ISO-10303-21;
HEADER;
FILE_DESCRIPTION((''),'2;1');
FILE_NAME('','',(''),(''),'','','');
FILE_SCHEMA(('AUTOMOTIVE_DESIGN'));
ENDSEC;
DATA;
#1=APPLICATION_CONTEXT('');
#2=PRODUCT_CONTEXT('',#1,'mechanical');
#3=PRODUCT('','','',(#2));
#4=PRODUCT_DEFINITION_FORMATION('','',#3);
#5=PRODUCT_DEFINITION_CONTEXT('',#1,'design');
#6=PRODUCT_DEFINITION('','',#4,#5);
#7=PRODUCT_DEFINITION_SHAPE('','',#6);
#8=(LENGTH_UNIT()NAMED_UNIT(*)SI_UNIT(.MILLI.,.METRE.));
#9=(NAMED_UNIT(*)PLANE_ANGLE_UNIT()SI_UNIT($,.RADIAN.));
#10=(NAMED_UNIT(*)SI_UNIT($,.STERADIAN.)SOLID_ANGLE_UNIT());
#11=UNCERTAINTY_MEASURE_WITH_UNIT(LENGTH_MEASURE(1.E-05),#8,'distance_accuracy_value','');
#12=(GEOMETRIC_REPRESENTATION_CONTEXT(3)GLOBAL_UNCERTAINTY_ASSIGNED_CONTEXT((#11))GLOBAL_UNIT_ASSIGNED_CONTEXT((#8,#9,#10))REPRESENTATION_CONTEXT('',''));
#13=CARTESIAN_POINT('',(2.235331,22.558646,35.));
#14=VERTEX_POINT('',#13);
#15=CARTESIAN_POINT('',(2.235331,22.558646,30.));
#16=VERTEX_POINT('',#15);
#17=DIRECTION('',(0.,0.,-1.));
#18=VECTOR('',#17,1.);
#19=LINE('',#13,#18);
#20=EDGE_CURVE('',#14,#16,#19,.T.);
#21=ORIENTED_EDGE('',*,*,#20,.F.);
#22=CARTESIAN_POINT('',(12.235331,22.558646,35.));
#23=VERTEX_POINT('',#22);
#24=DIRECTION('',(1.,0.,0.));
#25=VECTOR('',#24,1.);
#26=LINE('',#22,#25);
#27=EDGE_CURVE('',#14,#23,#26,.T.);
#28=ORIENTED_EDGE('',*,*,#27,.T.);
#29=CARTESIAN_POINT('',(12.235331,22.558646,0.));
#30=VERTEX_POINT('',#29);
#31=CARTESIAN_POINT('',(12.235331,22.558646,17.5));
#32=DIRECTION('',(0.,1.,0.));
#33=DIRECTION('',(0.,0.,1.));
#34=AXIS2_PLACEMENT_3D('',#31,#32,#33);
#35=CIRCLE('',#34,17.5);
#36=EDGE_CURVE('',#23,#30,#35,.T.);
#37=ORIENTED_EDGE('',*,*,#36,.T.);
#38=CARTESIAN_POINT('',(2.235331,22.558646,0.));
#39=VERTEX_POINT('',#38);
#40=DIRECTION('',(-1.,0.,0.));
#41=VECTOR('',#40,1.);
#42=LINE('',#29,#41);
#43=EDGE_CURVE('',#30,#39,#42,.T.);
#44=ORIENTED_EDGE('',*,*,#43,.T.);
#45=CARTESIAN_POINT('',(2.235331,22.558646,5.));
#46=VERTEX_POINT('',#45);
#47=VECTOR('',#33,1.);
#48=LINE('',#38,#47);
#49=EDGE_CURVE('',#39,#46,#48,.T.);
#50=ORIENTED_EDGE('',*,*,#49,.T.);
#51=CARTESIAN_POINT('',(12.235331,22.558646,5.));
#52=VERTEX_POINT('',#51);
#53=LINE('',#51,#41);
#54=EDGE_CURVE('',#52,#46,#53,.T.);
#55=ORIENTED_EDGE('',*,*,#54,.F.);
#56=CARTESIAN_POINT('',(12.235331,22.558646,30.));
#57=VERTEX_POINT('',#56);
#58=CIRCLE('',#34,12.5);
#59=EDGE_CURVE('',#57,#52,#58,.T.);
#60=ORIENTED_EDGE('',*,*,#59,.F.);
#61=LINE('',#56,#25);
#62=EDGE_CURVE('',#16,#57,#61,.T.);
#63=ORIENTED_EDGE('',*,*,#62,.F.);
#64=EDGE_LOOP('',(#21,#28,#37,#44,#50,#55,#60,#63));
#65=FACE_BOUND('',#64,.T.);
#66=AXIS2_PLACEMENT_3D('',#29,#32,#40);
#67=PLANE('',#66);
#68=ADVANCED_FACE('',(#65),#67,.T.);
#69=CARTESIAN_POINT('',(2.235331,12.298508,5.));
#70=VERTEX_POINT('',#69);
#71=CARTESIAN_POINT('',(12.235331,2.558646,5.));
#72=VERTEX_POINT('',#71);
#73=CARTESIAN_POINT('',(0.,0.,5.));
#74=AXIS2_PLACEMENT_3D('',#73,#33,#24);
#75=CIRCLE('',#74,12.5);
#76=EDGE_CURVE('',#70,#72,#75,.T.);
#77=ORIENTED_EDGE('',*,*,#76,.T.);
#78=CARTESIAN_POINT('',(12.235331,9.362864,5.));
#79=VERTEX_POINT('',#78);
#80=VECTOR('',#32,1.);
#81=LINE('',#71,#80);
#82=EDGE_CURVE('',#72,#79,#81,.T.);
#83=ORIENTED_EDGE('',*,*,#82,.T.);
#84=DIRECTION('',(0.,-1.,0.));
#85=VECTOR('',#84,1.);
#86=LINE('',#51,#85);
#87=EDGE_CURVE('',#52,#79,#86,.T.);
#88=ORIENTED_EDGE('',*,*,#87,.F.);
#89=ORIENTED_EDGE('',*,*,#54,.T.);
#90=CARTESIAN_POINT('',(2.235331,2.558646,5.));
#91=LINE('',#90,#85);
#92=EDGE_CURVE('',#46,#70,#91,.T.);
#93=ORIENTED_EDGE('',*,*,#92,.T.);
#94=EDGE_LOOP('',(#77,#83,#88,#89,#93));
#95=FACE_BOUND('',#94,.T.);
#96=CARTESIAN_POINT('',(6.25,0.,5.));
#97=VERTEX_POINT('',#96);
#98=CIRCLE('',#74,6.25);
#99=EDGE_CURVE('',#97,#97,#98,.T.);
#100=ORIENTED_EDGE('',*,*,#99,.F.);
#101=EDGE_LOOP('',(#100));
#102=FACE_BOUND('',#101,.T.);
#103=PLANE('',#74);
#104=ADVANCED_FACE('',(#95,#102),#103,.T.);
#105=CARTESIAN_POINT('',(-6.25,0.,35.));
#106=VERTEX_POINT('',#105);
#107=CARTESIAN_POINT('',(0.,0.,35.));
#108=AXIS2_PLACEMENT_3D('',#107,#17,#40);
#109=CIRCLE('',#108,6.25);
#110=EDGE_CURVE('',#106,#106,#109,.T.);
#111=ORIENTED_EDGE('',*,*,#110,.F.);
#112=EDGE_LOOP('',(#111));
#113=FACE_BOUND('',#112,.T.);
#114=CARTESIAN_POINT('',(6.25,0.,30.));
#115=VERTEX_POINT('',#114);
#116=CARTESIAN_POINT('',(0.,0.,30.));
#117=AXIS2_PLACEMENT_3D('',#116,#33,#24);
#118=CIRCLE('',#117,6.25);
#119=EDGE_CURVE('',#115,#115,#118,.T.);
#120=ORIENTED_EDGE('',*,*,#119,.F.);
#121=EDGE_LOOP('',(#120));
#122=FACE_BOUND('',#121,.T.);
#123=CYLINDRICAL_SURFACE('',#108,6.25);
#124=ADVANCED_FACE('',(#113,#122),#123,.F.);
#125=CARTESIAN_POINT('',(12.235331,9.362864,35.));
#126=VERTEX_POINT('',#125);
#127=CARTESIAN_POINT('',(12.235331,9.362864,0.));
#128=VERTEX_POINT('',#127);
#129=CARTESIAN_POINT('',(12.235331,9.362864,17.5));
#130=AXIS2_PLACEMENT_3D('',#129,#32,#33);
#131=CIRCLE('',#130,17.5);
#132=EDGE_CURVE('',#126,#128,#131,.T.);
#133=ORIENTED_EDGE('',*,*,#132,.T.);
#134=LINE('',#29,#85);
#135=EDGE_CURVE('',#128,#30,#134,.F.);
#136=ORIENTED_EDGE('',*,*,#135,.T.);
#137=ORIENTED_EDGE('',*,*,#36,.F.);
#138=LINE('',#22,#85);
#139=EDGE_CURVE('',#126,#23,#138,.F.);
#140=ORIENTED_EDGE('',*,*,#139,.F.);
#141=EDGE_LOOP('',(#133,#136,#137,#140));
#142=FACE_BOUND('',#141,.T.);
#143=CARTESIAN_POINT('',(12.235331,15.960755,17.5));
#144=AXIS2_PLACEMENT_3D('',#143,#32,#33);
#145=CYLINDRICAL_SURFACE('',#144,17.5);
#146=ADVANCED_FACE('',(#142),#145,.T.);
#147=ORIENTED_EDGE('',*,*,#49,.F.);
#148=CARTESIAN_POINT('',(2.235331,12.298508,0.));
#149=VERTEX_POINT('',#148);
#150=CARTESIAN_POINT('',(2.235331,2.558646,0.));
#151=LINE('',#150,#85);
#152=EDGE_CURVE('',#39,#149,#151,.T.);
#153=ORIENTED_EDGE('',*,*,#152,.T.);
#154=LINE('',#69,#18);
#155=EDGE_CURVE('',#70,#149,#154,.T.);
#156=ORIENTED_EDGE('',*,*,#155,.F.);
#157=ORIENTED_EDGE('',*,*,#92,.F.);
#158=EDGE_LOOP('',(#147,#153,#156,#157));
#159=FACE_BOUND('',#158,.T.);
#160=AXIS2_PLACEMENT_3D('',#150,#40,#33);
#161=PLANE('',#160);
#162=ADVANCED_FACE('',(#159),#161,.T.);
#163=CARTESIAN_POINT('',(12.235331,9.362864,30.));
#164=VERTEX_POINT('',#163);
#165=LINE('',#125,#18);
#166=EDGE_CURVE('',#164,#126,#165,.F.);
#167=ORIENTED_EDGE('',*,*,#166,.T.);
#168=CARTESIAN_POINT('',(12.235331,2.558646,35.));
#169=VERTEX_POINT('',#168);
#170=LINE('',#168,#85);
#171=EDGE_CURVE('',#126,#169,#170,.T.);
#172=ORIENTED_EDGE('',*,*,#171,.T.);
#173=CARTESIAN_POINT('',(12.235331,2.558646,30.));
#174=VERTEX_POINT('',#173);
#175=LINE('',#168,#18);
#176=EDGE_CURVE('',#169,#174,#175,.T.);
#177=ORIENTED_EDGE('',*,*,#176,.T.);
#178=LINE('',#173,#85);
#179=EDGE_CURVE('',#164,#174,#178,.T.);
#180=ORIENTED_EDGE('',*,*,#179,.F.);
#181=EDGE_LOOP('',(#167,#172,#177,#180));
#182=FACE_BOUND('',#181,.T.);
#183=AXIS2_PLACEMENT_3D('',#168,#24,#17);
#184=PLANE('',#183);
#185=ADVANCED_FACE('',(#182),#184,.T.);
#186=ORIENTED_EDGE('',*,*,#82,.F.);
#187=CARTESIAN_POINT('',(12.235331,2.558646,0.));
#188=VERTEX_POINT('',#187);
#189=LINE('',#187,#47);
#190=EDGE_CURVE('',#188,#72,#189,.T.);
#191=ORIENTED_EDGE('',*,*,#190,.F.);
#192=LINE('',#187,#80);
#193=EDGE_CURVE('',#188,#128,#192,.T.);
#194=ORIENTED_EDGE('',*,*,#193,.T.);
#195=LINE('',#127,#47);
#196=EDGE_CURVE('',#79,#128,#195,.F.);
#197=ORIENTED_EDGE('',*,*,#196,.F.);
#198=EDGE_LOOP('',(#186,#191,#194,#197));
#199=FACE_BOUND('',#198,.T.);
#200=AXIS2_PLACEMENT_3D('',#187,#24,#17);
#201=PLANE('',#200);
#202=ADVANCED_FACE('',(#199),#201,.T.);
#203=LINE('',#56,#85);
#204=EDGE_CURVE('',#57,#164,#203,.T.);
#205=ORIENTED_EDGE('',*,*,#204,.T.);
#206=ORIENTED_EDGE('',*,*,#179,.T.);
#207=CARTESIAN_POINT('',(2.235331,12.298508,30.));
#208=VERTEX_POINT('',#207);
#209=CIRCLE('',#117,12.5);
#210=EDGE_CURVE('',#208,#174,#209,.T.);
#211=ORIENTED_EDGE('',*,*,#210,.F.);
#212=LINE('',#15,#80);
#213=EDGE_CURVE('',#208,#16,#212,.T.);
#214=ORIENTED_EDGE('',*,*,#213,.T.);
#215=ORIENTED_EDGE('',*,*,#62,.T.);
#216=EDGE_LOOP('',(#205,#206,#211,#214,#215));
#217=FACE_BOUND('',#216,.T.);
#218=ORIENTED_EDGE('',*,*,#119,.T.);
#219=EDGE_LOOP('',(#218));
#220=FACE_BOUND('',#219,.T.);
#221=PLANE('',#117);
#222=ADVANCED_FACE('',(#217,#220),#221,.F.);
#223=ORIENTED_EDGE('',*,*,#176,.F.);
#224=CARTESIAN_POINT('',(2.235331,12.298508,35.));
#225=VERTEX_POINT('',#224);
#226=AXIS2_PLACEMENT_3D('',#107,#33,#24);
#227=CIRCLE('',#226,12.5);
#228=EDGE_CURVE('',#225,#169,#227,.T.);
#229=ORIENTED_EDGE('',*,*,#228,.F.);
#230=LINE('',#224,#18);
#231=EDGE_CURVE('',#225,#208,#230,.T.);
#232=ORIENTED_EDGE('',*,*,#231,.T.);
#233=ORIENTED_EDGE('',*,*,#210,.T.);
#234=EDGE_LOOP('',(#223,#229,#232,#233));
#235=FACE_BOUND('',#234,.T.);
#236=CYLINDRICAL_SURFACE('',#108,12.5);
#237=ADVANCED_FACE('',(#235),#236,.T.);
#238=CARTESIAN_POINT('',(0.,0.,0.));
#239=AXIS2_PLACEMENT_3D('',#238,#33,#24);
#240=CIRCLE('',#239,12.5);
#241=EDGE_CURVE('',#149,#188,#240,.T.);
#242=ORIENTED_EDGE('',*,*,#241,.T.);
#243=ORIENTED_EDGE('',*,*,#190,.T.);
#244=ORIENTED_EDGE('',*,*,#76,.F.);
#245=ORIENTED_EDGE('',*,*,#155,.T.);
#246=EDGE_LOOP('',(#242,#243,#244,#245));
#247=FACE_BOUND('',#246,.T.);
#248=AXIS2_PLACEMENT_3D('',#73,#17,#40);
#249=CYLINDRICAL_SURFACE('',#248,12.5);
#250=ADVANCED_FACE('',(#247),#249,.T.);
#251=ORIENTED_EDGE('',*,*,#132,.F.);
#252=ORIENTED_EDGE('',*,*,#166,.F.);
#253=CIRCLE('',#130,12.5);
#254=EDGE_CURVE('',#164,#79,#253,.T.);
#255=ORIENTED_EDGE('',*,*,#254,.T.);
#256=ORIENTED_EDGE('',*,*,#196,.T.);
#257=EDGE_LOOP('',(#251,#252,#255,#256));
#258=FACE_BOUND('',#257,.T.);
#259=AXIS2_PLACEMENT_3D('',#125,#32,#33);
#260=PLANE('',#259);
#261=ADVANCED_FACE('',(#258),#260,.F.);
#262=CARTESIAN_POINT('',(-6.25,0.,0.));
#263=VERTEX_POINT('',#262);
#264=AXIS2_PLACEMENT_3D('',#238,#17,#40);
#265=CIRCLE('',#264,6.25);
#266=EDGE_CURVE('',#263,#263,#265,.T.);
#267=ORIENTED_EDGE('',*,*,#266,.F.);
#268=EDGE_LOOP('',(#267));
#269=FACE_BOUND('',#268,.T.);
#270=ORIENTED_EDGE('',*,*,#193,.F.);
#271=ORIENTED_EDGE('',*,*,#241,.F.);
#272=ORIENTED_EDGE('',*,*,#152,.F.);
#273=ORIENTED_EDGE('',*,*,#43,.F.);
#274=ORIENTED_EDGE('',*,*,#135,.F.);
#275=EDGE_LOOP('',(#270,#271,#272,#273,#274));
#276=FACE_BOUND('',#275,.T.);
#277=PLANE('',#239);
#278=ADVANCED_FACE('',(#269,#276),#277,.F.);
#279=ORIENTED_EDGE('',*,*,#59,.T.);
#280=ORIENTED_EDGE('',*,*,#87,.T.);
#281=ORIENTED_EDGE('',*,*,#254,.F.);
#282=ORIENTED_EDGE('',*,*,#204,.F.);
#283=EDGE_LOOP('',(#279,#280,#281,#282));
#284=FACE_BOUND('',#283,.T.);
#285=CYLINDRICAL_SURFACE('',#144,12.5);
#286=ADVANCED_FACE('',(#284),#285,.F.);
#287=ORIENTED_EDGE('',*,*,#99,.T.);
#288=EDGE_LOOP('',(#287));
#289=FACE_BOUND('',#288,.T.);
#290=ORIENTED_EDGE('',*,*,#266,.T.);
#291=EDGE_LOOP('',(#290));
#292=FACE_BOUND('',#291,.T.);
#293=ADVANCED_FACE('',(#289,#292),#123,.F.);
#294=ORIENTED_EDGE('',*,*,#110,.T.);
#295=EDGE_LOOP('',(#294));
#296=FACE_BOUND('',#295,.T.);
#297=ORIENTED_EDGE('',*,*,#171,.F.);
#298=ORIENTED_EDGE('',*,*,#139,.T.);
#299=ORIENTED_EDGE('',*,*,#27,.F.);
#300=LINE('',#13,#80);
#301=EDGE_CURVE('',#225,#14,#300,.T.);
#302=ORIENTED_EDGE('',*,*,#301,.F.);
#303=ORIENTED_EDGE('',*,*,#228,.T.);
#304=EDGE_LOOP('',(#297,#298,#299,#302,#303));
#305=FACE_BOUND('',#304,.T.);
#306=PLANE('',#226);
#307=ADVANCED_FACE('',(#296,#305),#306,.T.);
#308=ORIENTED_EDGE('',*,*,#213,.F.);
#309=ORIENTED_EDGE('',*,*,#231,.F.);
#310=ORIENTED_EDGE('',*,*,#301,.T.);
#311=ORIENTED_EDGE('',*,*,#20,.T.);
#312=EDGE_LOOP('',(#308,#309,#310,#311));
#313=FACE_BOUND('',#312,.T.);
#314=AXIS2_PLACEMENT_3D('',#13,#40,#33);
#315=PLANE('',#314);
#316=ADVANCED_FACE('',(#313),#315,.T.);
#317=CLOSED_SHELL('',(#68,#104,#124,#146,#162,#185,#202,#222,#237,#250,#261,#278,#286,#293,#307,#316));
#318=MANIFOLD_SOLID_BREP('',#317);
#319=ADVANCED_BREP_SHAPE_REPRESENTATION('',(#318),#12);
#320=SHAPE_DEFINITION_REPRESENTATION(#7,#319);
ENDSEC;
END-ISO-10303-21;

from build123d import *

# Parameters (mm, degrees)
SKETCH1_R           = 12.5
BOSS_EXTRUDE1_DEPTH = 5
SKETCH2_R           = 12.5
BOSS_EXTRUDE2_DEPTH = 5
SKETCH4_W           = 10
SKETCH4_H           = 20
BOSS_EXTRUDE4_DEPTH = 5
SKETCH5_W           = 10
SKETCH5_H           = 20
BOSS_EXTRUDE5_DEPTH = 5
SKETCH8_R           = 6.25
CUT_EXTRUDE2_DEPTH  = 35
SKETCH12_W          = 5
SKETCH12_H          = 13.195782459


with BuildPart() as part:
    # Sketch1 → Boss-Extrude1 (new body)
    with BuildSketch(Plane.XY):
        Circle(SKETCH1_R)
    extrude(amount=BOSS_EXTRUDE1_DEPTH)

    # Sketch4 → Boss-Extrude4 (add)
    with BuildSketch(Plane.XY.offset(5)):
        with Locations((7.235331181, 12.5586463)):
            Rectangle(SKETCH4_W, SKETCH4_H)
    extrude(amount=-BOSS_EXTRUDE4_DEPTH)


with BuildPart() as body_2:
    # Sketch2 → Boss-Extrude2 (new body)
    with BuildSketch(Plane.XY.offset(30)):
        Circle(SKETCH2_R)
    extrude(amount=BOSS_EXTRUDE2_DEPTH)

    # Sketch5 → Boss-Extrude5 (add)
    with BuildSketch(Plane(origin=(0, 0, 30), x_dir=(-1, 0, 0), z_dir=(0, 0, -1))):
        with Locations((-7.235331181, 12.5586463)):
            Rectangle(SKETCH5_W, SKETCH5_H)
    extrude(amount=-BOSS_EXTRUDE5_DEPTH)


with BuildPart() as cut_extrude2_tool:
    # Sketch8 → Cut-Extrude2 (new body)
    with BuildSketch(Plane(origin=(0, 0, 0), x_dir=(-1, 0, 0), z_dir=(0, 0, -1))):
        Circle(SKETCH8_R)
    extrude(amount=-CUT_EXTRUDE2_DEPTH)


with BuildPart() as part_1:
    add(part.part)

    # Cut-Extrude2: cut by cut_extrude2_tool
    add(cut_extrude2_tool.part, mode=Mode.SUBTRACT)



with BuildPart() as body_2_1:
    add(body_2.part)

    # Cut-Extrude2: cut by cut_extrude2_tool
    add(cut_extrude2_tool.part, mode=Mode.SUBTRACT)


with BuildPart() as part_2:
    add(part_1.part)

    add(body_2_1.part)  # Sweep2 merges body 2
    # Sweep2: sweep along a path in Sketch14
    with BuildLine(Plane(origin=(0, 15.960755071, 0), x_dir=(1, 0, 0), z_dir=(0, 1, 0))) as sweep2_path:
        ThreePointArc((12.235331181, -32.5), (27.235331181, -17.5), (12.235331181, -2.5))
    # Sketch12 → Sweep2 (sweep)
    with BuildSketch(Plane(origin=(12.235331181, 0, 0), x_dir=(0, 0, -1), z_dir=(1, 0, 0))):
        with Locations((-32.5, 15.960755071)):
            Rectangle(SKETCH12_W, SKETCH12_H)
    sweep(path=sweep2_path.line)


solid = part_2.part
